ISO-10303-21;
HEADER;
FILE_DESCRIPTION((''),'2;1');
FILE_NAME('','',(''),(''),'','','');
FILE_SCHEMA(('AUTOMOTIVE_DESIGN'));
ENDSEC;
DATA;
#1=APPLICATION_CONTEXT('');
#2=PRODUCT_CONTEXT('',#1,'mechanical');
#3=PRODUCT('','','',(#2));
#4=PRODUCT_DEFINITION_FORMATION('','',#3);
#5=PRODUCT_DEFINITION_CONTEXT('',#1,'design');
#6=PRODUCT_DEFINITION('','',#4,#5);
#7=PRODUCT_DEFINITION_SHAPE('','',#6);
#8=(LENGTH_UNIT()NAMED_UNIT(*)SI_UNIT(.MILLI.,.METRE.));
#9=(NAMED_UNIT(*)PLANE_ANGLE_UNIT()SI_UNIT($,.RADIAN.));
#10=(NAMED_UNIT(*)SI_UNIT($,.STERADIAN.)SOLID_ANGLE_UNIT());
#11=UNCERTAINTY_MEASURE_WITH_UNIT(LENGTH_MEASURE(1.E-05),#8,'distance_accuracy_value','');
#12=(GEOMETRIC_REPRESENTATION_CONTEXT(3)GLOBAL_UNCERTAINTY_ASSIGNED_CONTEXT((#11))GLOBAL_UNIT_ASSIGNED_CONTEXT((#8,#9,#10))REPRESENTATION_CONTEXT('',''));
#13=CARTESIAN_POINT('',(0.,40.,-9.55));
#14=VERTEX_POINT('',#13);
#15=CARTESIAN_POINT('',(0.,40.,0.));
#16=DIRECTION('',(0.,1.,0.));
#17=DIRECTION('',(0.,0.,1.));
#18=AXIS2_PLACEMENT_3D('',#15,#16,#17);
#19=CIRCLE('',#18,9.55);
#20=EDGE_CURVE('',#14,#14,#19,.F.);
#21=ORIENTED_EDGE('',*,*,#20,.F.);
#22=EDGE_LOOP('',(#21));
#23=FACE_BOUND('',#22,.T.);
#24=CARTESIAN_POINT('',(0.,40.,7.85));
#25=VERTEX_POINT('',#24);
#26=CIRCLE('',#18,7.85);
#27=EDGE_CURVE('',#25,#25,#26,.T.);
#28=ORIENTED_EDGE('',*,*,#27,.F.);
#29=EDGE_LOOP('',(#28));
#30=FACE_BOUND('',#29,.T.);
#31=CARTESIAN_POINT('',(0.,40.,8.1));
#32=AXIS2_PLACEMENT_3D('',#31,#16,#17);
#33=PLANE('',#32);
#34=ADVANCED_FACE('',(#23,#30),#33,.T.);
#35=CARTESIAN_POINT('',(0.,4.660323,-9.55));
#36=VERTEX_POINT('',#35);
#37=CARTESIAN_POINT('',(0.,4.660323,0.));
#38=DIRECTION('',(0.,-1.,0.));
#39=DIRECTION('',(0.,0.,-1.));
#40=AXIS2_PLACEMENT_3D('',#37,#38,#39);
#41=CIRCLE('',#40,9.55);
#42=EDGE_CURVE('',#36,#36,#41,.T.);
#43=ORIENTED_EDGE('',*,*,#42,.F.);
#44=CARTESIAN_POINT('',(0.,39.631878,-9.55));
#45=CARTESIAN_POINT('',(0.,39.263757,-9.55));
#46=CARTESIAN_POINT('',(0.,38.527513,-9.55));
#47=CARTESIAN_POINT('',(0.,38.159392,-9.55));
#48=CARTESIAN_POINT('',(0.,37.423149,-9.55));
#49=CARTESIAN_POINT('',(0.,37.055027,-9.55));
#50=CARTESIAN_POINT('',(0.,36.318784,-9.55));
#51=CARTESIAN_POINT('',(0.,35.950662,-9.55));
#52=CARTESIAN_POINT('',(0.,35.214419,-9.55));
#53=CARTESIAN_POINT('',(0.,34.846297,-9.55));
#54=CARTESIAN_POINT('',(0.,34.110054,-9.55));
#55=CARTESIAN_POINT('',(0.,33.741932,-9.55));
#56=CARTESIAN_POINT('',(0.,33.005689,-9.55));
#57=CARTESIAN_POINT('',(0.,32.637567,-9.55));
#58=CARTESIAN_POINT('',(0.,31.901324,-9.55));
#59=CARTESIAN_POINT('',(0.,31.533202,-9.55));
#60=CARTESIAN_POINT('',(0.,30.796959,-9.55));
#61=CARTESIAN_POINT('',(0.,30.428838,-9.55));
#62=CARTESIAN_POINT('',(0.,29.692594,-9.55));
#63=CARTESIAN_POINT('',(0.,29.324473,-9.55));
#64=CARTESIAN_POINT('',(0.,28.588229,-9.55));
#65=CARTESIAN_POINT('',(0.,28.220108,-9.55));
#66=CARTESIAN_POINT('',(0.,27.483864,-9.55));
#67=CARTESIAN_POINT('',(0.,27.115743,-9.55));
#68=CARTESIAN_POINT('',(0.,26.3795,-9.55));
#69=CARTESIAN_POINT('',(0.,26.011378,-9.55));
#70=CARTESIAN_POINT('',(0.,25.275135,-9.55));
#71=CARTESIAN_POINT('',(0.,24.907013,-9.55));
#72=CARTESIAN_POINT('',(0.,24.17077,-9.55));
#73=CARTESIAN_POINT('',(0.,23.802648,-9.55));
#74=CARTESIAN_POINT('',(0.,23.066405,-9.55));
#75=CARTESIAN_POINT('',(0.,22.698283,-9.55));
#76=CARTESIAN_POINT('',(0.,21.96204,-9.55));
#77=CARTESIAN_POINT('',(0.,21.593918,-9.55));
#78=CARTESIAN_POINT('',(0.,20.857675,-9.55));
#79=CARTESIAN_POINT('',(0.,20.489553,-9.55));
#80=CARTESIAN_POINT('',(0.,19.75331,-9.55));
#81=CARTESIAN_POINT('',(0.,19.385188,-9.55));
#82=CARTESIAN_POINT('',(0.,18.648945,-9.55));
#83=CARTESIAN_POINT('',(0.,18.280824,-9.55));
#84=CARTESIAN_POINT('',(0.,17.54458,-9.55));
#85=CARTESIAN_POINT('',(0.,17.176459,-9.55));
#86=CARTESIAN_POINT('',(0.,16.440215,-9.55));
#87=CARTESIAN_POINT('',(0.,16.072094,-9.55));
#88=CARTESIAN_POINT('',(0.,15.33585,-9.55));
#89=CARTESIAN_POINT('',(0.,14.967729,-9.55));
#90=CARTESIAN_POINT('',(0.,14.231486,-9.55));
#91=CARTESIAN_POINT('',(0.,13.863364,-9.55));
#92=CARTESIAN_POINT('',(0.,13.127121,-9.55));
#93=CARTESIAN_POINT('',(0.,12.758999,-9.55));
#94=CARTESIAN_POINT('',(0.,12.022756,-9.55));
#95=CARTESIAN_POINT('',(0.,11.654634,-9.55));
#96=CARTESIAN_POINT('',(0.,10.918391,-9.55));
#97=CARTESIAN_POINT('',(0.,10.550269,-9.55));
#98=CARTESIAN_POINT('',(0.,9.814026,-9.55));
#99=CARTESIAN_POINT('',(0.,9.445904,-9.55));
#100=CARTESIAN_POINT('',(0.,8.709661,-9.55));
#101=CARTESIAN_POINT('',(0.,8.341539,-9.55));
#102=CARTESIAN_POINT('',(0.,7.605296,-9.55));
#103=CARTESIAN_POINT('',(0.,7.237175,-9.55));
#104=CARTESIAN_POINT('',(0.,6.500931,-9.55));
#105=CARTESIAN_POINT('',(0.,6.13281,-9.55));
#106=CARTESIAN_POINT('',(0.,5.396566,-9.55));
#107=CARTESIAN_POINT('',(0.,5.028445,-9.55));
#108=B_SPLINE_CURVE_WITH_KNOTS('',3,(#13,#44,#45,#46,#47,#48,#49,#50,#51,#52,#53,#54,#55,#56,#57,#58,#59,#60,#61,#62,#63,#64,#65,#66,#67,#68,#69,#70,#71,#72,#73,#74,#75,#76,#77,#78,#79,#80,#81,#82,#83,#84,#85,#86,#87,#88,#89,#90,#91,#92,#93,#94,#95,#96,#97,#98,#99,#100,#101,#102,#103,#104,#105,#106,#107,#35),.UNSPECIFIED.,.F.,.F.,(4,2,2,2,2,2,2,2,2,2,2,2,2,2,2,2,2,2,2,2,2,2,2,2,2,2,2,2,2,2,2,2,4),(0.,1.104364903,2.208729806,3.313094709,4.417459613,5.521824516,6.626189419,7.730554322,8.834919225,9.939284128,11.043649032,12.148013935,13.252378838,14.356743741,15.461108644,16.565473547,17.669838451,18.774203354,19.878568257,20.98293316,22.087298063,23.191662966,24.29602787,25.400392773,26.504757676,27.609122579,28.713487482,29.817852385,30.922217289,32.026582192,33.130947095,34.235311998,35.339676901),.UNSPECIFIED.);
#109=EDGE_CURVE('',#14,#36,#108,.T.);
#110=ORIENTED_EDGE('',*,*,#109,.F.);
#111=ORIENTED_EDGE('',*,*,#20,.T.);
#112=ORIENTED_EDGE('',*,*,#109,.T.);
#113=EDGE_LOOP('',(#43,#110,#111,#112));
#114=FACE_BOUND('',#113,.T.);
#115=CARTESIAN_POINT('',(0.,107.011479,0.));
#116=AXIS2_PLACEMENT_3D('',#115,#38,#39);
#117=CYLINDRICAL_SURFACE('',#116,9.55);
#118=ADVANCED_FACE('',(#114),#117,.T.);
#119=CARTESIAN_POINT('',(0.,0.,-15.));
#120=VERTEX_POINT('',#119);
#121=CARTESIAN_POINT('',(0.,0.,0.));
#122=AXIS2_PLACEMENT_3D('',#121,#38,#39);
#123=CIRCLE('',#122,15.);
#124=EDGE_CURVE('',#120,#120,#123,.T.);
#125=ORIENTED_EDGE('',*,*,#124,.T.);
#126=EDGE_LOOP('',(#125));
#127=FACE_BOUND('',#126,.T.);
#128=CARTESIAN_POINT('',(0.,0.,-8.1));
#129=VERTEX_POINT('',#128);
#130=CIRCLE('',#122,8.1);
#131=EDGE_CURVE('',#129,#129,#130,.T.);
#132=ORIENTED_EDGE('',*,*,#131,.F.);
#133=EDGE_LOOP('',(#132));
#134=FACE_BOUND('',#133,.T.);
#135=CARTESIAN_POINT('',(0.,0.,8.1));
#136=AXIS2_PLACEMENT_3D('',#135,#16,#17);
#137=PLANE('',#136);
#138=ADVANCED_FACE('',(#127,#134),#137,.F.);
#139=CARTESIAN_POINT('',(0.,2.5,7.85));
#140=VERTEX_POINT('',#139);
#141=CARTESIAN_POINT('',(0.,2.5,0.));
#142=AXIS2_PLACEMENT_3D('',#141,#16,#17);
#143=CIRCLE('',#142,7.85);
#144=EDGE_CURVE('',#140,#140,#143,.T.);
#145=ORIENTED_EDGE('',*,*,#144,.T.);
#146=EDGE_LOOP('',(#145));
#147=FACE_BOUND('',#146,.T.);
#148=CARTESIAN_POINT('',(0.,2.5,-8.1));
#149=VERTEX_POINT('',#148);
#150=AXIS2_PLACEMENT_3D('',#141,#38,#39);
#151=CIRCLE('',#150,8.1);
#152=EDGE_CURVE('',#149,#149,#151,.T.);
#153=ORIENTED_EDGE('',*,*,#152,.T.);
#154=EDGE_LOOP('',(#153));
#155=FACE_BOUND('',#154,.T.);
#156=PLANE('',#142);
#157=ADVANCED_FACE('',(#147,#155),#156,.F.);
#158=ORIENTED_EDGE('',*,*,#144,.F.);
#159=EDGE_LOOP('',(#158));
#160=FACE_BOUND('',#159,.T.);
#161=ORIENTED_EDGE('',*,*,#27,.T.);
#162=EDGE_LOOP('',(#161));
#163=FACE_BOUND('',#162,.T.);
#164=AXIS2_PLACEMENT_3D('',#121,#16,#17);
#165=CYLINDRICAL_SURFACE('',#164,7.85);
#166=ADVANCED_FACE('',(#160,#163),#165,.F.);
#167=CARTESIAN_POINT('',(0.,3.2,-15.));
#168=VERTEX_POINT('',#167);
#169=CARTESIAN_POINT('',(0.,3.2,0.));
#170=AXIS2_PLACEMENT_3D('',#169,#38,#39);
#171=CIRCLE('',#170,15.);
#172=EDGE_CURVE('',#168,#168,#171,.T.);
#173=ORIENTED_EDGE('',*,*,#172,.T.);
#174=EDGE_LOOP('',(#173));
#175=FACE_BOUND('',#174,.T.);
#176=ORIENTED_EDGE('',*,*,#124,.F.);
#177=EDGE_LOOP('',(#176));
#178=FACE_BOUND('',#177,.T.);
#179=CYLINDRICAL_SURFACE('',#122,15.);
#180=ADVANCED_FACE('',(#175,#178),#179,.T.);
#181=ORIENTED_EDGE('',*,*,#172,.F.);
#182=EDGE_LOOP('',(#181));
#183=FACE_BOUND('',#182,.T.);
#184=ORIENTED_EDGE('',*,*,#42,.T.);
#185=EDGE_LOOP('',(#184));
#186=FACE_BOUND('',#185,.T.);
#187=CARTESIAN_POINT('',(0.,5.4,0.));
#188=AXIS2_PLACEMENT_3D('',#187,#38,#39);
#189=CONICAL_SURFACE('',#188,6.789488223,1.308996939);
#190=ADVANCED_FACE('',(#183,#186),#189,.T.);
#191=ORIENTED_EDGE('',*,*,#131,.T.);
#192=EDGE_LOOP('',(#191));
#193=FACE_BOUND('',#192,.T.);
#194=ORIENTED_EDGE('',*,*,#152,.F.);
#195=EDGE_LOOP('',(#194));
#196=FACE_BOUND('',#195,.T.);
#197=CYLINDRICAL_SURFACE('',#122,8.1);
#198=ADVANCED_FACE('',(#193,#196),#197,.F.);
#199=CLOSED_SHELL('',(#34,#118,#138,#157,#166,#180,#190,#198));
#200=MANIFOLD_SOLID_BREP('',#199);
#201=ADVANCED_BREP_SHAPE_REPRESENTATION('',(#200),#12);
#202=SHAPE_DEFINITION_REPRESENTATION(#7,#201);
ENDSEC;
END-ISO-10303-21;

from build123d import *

# Parameters (mm, degrees)
SKETCH5_R     = 9.55
STUB_DEPTH    = 37.5
BORE_SKETCH_R = 7.85
BORE_DEPTH    = 46.276925691


with BuildPart() as part:
    # Sketch1 → Flange (revolve)
    with BuildSketch(Plane(origin=(0, 0, 0), x_dir=(0, 0, -1), z_dir=(1, 0, 0)), mode=Mode.PRIVATE) as flange_sk:
        Polygon((-15, 0), (-15, 3.2), (-6.789488223, 5.4), (0, 5.4), (0, 2.5), (-8.1, 2.5), (-8.1, 0), align=None)
    revolve(flange_sk.sketch.rotate(Axis((0, 0, 0), (0, 1, 0)), 180), axis=Axis((0, 0, 0), (0, 1, 0)))

    # Sketch5 → Stub (add)
    with BuildSketch(Plane.XZ.offset(-2.5)):
        with Locations(Location((0, 0, 0), (0, 0, 270))):
            Circle(SKETCH5_R)
    extrude(amount=-STUB_DEPTH)

    # Bore Sketch → Bore (cut, through all)
    with BuildSketch(Plane(origin=(0, 40, 0), x_dir=(1, 0, 0), z_dir=(0, 1, 0))):
        with Locations(Location((0, 0, 0), (0, 0, 270))):
            Circle(BORE_SKETCH_R)
    extrude(amount=-BORE_DEPTH, mode=Mode.SUBTRACT)


solid = part.part
